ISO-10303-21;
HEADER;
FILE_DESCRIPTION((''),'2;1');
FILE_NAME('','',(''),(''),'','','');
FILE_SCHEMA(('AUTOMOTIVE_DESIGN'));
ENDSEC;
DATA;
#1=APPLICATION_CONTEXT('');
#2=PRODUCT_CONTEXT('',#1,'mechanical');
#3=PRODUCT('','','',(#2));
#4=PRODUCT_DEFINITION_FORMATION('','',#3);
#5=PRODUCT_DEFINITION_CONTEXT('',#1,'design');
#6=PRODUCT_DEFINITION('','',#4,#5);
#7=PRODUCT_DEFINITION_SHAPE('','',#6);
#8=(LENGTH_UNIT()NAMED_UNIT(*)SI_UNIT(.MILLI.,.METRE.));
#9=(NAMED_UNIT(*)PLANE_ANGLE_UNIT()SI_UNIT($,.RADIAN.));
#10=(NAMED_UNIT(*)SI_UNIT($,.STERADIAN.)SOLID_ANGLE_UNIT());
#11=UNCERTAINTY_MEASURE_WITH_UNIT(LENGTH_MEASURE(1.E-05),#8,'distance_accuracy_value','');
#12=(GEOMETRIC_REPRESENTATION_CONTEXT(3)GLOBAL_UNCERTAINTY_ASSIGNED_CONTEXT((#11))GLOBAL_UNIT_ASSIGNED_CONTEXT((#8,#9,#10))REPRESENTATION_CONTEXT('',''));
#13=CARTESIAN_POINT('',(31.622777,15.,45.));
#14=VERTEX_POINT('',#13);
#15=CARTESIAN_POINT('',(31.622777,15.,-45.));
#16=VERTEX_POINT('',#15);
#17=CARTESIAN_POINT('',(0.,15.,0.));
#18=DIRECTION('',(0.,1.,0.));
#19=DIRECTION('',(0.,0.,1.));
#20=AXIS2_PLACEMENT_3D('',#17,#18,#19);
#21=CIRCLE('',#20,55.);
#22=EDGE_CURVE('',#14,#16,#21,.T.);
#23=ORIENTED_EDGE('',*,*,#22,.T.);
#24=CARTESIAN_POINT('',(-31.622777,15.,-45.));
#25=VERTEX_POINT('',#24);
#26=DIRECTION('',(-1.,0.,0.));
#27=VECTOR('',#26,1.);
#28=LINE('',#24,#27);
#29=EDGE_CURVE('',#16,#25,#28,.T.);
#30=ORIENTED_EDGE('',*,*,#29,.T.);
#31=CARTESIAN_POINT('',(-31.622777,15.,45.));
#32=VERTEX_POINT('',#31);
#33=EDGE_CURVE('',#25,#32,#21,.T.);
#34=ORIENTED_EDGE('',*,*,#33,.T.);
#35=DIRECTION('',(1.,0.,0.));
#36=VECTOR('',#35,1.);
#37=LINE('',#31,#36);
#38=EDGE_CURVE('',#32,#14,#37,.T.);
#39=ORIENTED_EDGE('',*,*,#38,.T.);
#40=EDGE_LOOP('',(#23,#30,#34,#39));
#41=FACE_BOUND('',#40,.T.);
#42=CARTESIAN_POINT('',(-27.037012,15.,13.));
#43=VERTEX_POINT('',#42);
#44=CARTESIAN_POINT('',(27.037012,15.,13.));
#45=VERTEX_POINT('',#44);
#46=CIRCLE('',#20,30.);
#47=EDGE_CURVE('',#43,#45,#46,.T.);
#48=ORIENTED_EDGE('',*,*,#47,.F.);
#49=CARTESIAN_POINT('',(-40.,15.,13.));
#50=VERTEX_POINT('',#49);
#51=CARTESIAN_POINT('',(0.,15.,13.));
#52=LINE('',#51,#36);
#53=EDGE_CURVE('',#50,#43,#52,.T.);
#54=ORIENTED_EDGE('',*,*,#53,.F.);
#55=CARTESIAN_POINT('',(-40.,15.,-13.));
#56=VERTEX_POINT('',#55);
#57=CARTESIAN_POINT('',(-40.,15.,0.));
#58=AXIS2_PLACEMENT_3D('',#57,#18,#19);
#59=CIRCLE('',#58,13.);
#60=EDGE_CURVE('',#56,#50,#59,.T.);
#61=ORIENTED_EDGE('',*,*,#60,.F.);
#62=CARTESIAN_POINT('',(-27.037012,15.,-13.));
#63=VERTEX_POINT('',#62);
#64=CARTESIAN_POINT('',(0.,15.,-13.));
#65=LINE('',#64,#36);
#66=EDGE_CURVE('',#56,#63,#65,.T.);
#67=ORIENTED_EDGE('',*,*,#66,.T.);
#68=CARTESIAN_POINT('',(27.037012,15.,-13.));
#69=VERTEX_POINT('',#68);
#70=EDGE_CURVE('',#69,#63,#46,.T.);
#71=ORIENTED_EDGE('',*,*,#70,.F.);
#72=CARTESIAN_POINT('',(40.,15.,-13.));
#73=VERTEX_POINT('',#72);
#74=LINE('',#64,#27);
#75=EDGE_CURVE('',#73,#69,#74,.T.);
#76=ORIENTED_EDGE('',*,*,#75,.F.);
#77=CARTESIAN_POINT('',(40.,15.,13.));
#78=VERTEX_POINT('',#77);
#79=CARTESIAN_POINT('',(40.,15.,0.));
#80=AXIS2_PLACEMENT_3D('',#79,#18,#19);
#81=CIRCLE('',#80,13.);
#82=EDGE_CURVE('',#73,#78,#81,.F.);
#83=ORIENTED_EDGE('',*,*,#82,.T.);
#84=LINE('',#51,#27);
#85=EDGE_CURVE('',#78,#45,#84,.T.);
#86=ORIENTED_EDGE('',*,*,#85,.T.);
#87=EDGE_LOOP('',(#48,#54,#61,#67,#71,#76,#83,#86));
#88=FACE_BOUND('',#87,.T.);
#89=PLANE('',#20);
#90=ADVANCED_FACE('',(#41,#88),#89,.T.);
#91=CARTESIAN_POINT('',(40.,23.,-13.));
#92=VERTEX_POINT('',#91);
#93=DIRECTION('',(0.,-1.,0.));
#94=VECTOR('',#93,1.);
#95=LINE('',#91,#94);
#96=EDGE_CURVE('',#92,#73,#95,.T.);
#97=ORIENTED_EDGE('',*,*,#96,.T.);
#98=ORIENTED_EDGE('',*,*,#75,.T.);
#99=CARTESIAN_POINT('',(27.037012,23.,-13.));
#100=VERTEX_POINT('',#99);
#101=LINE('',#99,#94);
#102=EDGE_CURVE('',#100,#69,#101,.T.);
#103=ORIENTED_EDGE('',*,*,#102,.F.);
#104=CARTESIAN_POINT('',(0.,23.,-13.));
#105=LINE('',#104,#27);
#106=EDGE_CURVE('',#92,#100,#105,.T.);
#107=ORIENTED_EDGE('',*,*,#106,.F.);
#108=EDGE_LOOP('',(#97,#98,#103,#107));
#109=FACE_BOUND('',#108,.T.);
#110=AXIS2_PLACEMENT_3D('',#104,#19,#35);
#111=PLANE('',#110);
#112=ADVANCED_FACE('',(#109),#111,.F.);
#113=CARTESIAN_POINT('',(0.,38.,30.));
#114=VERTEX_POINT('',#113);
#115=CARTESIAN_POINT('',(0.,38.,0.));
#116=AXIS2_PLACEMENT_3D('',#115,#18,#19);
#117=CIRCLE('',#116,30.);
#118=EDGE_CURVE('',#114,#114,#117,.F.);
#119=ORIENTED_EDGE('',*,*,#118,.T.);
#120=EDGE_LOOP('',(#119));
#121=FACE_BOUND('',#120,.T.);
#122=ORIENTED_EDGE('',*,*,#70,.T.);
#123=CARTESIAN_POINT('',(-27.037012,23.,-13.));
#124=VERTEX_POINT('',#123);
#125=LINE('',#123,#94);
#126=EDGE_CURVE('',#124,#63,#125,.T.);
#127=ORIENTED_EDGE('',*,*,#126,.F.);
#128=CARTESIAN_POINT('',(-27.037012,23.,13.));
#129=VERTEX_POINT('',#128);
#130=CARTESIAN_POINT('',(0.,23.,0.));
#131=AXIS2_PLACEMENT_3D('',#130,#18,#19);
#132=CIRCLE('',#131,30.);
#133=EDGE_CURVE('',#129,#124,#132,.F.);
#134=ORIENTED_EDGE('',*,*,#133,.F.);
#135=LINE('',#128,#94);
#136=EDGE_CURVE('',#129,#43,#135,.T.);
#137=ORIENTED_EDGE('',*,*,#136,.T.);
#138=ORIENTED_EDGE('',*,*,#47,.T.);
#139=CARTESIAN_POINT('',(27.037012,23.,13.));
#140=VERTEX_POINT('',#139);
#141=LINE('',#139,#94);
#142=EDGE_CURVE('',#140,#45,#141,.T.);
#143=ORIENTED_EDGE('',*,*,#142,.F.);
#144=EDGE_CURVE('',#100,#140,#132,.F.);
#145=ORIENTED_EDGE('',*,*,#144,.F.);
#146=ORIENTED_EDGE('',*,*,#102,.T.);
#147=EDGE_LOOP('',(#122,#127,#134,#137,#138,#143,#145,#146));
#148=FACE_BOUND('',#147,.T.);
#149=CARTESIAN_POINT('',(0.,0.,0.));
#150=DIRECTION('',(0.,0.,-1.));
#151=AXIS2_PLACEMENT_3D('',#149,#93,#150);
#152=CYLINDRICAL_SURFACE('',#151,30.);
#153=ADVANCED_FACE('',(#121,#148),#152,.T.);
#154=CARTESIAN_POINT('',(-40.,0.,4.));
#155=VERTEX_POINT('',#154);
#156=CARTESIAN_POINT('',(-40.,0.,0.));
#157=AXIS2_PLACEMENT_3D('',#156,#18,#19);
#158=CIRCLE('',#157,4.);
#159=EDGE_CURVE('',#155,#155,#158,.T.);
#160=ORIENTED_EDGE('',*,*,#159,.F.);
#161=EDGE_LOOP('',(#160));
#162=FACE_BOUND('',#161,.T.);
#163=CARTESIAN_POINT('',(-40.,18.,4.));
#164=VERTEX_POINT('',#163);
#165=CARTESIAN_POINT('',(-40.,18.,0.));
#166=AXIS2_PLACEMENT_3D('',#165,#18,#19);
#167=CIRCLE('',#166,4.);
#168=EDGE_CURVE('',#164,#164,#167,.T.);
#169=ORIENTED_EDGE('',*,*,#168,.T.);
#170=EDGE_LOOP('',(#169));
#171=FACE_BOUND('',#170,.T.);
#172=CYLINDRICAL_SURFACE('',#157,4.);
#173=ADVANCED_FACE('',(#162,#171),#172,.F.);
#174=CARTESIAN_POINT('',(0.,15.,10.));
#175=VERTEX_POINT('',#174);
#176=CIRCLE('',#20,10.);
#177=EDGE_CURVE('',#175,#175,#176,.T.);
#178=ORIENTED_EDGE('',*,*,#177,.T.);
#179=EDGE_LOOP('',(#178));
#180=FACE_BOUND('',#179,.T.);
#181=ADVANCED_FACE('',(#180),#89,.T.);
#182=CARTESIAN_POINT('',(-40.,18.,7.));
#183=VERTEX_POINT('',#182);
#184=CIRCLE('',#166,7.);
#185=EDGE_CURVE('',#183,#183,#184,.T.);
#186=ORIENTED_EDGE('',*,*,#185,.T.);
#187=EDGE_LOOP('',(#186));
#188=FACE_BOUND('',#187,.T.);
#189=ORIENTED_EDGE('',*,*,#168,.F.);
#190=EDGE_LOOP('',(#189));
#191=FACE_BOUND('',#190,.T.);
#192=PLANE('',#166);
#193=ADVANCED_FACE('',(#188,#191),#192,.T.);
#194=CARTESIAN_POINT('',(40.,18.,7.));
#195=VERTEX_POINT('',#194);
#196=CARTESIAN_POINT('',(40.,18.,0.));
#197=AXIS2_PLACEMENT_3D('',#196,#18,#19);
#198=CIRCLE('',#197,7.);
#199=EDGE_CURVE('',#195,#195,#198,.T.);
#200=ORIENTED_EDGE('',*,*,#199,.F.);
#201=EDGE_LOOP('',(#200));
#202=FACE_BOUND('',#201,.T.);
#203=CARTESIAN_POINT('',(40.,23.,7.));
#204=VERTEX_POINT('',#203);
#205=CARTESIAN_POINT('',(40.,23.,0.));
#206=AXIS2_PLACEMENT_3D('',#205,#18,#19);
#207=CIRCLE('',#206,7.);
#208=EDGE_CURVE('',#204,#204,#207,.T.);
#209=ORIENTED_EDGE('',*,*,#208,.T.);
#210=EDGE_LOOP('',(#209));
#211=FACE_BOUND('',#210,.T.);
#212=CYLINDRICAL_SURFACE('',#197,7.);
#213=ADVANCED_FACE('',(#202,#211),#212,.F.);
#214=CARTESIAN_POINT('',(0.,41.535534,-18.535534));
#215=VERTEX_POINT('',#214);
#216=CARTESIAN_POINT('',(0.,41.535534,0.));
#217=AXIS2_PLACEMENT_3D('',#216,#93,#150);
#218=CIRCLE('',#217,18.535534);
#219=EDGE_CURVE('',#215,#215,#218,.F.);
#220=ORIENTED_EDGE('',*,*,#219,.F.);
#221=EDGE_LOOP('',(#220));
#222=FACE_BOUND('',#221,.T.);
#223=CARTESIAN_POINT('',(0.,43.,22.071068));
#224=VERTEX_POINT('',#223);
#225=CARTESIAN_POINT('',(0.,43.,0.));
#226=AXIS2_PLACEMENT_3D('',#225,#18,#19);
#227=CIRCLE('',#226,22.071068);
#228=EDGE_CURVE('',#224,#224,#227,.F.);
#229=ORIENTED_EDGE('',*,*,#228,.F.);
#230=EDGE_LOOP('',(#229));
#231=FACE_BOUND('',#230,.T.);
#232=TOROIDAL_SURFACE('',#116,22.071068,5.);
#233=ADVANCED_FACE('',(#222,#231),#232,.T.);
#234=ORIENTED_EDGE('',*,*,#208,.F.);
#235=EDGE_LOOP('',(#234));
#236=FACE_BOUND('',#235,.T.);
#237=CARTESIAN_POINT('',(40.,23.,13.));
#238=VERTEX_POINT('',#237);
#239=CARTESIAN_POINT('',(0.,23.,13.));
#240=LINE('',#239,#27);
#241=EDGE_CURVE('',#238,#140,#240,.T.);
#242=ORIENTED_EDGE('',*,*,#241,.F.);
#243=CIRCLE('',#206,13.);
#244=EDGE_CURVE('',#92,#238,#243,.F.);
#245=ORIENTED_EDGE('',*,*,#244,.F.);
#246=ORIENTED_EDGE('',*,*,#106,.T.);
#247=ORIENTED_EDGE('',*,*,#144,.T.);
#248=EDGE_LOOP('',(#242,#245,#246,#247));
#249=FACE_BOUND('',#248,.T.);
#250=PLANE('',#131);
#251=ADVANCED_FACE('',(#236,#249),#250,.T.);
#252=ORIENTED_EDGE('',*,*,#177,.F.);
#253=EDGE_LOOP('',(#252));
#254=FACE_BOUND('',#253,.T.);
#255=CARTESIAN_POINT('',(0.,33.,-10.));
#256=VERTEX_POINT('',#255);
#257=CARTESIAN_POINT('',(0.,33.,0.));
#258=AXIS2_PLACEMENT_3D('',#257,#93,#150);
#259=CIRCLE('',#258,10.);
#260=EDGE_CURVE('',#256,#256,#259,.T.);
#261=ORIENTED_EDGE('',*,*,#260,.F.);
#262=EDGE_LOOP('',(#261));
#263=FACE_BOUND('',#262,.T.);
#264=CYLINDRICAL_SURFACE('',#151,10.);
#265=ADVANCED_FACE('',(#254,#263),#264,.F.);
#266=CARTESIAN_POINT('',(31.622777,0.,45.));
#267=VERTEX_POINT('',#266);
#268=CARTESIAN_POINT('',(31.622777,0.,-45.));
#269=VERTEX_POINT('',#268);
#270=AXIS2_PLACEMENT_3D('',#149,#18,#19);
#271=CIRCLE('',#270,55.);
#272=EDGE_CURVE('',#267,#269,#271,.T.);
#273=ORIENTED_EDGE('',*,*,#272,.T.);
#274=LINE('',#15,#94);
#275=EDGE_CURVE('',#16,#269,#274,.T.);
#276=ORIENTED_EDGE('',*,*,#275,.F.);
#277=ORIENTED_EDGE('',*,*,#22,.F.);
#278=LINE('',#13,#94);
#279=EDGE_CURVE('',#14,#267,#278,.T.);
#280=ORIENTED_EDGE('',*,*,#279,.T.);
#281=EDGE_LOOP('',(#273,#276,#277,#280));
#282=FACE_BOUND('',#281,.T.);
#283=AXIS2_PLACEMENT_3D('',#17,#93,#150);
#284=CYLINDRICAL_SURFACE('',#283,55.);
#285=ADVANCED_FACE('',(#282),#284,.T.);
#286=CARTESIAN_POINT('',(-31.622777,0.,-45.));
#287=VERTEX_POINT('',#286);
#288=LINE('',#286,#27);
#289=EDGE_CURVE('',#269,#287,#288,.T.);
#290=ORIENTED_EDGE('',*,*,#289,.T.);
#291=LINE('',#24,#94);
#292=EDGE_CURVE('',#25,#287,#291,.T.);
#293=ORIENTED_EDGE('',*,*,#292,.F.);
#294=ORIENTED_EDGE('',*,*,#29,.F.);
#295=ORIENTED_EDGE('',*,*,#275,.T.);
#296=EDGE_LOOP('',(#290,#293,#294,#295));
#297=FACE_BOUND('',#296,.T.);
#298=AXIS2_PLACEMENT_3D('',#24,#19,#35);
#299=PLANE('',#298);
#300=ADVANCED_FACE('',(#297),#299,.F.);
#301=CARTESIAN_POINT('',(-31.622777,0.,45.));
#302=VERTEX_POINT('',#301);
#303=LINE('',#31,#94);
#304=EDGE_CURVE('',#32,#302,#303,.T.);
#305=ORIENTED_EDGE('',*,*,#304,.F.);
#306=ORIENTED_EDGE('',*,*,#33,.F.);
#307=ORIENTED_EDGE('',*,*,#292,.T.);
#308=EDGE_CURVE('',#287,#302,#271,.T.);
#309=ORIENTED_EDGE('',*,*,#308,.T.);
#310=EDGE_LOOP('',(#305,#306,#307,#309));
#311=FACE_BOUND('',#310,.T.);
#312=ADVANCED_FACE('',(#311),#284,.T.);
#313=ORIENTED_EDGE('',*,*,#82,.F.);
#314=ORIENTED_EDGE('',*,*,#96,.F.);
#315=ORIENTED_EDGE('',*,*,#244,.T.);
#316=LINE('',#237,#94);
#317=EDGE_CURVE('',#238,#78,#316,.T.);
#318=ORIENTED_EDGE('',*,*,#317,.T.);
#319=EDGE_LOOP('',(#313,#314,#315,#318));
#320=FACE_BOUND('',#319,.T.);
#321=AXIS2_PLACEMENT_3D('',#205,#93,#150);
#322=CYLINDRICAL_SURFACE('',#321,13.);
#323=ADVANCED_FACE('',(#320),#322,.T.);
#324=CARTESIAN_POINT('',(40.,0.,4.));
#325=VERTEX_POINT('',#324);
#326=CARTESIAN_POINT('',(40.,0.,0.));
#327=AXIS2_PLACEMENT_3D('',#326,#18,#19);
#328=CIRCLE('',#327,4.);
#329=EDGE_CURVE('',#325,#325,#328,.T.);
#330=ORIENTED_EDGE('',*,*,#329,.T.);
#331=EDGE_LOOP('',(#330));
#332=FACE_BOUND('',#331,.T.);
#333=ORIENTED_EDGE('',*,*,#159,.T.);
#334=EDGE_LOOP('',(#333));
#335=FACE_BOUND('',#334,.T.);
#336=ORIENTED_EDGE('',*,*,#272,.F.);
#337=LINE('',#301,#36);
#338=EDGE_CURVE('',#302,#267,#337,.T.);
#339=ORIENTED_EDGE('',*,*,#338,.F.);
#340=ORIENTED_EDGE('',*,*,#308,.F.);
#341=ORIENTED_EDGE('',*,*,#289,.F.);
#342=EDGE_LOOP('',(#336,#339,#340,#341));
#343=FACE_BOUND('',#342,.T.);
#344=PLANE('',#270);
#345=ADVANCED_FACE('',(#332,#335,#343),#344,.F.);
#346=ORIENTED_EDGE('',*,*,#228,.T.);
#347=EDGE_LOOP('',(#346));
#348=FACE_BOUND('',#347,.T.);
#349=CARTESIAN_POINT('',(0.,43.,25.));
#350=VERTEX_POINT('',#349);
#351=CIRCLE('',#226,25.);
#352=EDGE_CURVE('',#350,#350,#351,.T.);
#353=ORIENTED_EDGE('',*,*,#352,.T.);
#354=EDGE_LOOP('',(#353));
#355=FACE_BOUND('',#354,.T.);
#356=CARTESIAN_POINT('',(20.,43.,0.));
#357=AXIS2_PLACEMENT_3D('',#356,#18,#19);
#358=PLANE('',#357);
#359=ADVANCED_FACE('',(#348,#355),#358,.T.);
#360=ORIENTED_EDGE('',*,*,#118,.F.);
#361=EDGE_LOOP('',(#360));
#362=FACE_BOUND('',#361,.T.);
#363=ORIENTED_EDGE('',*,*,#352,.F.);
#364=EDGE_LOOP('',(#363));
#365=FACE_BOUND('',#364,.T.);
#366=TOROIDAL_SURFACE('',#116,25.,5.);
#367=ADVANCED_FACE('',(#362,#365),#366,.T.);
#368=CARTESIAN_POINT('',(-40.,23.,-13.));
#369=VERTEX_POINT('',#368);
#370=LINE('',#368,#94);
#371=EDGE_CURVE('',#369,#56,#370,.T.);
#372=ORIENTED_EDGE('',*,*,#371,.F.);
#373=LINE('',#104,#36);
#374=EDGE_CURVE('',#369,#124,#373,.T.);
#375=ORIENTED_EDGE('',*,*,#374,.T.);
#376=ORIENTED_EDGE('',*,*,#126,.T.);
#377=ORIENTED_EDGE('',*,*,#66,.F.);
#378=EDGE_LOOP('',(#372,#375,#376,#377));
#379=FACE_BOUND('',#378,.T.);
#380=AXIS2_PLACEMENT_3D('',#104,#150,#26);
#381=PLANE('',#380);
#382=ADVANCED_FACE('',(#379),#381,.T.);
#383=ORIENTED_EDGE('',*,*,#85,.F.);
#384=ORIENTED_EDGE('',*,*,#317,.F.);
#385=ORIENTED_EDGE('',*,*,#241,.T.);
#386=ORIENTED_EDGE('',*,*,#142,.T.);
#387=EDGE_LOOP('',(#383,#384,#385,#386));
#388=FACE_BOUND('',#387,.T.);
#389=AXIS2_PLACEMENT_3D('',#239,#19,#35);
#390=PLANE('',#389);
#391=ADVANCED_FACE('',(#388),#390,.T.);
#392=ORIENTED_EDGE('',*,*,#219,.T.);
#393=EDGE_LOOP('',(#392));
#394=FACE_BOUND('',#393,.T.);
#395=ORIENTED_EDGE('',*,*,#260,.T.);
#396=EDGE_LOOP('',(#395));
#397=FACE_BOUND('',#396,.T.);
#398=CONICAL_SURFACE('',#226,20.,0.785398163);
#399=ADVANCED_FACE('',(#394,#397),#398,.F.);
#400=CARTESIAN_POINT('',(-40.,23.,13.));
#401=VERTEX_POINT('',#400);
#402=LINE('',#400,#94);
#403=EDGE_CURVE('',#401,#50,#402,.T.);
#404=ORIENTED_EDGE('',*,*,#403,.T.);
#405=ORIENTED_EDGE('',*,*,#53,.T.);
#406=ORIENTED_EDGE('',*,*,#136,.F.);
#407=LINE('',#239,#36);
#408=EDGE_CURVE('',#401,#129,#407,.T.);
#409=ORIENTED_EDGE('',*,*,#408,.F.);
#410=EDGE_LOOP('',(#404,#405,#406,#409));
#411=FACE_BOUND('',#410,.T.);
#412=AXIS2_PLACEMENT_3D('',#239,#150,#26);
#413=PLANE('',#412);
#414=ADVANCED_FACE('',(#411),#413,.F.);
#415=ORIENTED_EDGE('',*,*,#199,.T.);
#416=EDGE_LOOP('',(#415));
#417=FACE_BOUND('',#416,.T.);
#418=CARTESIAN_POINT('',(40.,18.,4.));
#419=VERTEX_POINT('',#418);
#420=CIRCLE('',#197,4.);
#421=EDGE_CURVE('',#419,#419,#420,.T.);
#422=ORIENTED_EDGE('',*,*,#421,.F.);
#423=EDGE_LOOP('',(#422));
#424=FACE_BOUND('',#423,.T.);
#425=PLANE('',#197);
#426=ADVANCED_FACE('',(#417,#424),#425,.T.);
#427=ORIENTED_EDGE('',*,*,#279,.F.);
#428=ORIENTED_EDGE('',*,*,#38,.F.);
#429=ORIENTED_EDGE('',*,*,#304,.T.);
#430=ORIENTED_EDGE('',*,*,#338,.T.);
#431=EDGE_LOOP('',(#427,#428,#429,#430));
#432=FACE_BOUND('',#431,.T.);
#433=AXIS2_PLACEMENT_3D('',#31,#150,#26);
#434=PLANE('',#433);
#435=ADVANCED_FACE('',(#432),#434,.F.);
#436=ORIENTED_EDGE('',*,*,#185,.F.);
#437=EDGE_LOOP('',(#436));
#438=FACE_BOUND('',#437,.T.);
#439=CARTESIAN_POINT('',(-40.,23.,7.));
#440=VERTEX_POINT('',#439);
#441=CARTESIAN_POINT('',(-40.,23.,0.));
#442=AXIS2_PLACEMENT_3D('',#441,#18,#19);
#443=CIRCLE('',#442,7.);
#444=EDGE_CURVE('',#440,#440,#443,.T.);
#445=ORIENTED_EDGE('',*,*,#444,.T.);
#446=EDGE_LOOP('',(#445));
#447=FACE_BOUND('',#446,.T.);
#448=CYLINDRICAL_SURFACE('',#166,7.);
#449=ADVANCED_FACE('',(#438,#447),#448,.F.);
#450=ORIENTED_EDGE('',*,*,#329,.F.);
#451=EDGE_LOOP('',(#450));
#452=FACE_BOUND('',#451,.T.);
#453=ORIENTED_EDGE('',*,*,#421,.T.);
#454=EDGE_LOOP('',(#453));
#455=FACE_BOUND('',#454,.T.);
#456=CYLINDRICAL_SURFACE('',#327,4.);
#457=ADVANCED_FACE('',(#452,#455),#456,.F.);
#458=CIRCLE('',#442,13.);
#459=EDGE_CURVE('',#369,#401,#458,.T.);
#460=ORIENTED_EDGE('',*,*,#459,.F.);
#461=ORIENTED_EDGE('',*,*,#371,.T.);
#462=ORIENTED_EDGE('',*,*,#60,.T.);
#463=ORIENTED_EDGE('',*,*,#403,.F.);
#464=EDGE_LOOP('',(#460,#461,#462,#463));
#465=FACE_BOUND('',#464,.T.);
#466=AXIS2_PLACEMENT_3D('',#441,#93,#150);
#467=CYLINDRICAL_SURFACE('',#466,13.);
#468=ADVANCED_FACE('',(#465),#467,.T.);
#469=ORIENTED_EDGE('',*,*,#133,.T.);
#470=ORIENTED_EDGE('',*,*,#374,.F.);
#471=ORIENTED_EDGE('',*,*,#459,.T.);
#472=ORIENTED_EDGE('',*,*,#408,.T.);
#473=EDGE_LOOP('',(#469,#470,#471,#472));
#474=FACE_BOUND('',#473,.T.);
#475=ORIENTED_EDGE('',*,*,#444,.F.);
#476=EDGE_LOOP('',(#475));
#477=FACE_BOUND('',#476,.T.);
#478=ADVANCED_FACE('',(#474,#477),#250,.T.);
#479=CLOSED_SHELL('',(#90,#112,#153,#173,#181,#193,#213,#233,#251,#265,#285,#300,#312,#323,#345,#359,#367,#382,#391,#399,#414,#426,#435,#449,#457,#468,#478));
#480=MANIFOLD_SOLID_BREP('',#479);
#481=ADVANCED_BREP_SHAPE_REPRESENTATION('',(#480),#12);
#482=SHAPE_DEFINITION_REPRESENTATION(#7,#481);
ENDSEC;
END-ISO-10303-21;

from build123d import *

# Parameters (mm, degrees)
EXTRUDE_1_DEPTH          = 15
SKETCH_9_W               = 10
SKETCH_9_H               = 33
SKETCH_12_W              = 10
SKETCH_12_H              = 28
FILLET_1_R               = 5
EXTRUDE_4_DEPTH          = 8
SKETCH_17_R              = 7
CUT_EXTRUDE_1_DEPTH      = 5
CUT_EXTRUDE_2_DEPTH      = 75.692703794
CUT_EXTRUDE_2_DEPTH_BACK = 75.692703794
SKETCH_18_R              = 4


with BuildPart() as part:
    # 草图1 → 凸台-拉伸1 (new body)
    with BuildSketch(Plane(origin=(0, 0, 0), x_dir=(1, 0, 0), z_dir=(0, 1, 0))):
        with BuildLine():
            Line((-31.622776602, 45), (31.622776602, 45))
            ThreePointArc((31.622776602, 45), (55, 0), (31.622776602, -45))
            Line((31.622776602, -45), (-31.622776602, -45))
            ThreePointArc((-31.622776602, -45), (-55, 0), (-31.622776602, 45))
        make_face()
    extrude(amount=EXTRUDE_1_DEPTH)

    # 草图9 → 旋转1 (revolve)
    with BuildSketch(Plane.XY, mode=Mode.PRIVATE) as revolve_1_sk:
        Polygon((20, 33), (20, 43), (10, 33), align=None)
        with Locations((15, 16.5)):
            Rectangle(SKETCH_9_W, SKETCH_9_H)
    revolve(revolve_1_sk.sketch.rotate(Axis((0, 0, 0), (0, 1, 0)), 90), axis=Axis((0, 0, 0), (0, 1, 0)))

    # 草图12 → 旋转2 (revolve)
    with BuildSketch(Plane.XY, mode=Mode.PRIVATE) as revolve_2_sk:
        with Locations((25, 29)):
            Rectangle(SKETCH_12_W, SKETCH_12_H)
    revolve(revolve_2_sk.sketch.rotate(Axis((0, 0, 0), (0, 1, 0)), 90), axis=Axis((0, 0, 0), (0, 1, 0)))

    # 圆角1
    fillet_1_edges = [part.edges().sort_by_distance(p)[0] for p in [
        (0, 43, 20),
        (0, 43, 30),
    ]]
    fillet(fillet_1_edges, radius=FILLET_1_R)

    # 草图14 → 凸台-拉伸4 (add)
    with BuildSketch(Plane(origin=(0, 15, 0), x_dir=(1, 0, 0), z_dir=(0, 1, 0))):
        with BuildLine():
            Line((-27.037011669, 13), (-40, 13))
            ThreePointArc((-40, 13), (-53, 0), (-40, -13))
            Line((-40, -13), (-27.037011669, -13))
            ThreePointArc((-27.037011669, -13), (-29.249874787, -6.666695205), (-30, 0))
            ThreePointArc((-30, 0), (-29.249874787, 6.666695205), (-27.037011669, 13))
        make_face()
        with BuildLine():
            Line((27.037011669, -13), (40, -13))
            ThreePointArc((40, -13), (53, 0), (40, 13))
            Line((40, 13), (27.037011669, 13))
            ThreePointArc((27.037011669, 13), (30, 0), (27.037011669, -13))
        make_face()
    extrude(amount=EXTRUDE_4_DEPTH)

    # 草图17 → 切除-拉伸1 (cut)
    with BuildSketch(Plane(origin=(0, 23, 0), x_dir=(1, 0, 0), z_dir=(0, 1, 0))):
        with Locations(Location((-40, 0, 0), (0, 0, 270))):
            Circle(SKETCH_17_R)
        with Locations(Location((40, 0, 0), (0, 0, 270))):
            Circle(SKETCH_17_R)
    extrude(amount=-CUT_EXTRUDE_1_DEPTH, mode=Mode.SUBTRACT)

    # 草图18 → 切除-拉伸2 (cut, two sides: drawn at the far end of the back side and taken through both)
    with BuildSketch(Plane(origin=(0, 23, 0), x_dir=(1, 0, 0), z_dir=(0, 1, 0)).offset(-CUT_EXTRUDE_2_DEPTH_BACK)):
        with Locations(Location((-40, 0, 0), (0, 0, 270))):
            Circle(SKETCH_18_R)
        with Locations(Location((40, 0, 0), (0, 0, 270))):
            Circle(SKETCH_18_R)
    extrude(amount=CUT_EXTRUDE_2_DEPTH + CUT_EXTRUDE_2_DEPTH_BACK, mode=Mode.SUBTRACT)


solid = part.part
